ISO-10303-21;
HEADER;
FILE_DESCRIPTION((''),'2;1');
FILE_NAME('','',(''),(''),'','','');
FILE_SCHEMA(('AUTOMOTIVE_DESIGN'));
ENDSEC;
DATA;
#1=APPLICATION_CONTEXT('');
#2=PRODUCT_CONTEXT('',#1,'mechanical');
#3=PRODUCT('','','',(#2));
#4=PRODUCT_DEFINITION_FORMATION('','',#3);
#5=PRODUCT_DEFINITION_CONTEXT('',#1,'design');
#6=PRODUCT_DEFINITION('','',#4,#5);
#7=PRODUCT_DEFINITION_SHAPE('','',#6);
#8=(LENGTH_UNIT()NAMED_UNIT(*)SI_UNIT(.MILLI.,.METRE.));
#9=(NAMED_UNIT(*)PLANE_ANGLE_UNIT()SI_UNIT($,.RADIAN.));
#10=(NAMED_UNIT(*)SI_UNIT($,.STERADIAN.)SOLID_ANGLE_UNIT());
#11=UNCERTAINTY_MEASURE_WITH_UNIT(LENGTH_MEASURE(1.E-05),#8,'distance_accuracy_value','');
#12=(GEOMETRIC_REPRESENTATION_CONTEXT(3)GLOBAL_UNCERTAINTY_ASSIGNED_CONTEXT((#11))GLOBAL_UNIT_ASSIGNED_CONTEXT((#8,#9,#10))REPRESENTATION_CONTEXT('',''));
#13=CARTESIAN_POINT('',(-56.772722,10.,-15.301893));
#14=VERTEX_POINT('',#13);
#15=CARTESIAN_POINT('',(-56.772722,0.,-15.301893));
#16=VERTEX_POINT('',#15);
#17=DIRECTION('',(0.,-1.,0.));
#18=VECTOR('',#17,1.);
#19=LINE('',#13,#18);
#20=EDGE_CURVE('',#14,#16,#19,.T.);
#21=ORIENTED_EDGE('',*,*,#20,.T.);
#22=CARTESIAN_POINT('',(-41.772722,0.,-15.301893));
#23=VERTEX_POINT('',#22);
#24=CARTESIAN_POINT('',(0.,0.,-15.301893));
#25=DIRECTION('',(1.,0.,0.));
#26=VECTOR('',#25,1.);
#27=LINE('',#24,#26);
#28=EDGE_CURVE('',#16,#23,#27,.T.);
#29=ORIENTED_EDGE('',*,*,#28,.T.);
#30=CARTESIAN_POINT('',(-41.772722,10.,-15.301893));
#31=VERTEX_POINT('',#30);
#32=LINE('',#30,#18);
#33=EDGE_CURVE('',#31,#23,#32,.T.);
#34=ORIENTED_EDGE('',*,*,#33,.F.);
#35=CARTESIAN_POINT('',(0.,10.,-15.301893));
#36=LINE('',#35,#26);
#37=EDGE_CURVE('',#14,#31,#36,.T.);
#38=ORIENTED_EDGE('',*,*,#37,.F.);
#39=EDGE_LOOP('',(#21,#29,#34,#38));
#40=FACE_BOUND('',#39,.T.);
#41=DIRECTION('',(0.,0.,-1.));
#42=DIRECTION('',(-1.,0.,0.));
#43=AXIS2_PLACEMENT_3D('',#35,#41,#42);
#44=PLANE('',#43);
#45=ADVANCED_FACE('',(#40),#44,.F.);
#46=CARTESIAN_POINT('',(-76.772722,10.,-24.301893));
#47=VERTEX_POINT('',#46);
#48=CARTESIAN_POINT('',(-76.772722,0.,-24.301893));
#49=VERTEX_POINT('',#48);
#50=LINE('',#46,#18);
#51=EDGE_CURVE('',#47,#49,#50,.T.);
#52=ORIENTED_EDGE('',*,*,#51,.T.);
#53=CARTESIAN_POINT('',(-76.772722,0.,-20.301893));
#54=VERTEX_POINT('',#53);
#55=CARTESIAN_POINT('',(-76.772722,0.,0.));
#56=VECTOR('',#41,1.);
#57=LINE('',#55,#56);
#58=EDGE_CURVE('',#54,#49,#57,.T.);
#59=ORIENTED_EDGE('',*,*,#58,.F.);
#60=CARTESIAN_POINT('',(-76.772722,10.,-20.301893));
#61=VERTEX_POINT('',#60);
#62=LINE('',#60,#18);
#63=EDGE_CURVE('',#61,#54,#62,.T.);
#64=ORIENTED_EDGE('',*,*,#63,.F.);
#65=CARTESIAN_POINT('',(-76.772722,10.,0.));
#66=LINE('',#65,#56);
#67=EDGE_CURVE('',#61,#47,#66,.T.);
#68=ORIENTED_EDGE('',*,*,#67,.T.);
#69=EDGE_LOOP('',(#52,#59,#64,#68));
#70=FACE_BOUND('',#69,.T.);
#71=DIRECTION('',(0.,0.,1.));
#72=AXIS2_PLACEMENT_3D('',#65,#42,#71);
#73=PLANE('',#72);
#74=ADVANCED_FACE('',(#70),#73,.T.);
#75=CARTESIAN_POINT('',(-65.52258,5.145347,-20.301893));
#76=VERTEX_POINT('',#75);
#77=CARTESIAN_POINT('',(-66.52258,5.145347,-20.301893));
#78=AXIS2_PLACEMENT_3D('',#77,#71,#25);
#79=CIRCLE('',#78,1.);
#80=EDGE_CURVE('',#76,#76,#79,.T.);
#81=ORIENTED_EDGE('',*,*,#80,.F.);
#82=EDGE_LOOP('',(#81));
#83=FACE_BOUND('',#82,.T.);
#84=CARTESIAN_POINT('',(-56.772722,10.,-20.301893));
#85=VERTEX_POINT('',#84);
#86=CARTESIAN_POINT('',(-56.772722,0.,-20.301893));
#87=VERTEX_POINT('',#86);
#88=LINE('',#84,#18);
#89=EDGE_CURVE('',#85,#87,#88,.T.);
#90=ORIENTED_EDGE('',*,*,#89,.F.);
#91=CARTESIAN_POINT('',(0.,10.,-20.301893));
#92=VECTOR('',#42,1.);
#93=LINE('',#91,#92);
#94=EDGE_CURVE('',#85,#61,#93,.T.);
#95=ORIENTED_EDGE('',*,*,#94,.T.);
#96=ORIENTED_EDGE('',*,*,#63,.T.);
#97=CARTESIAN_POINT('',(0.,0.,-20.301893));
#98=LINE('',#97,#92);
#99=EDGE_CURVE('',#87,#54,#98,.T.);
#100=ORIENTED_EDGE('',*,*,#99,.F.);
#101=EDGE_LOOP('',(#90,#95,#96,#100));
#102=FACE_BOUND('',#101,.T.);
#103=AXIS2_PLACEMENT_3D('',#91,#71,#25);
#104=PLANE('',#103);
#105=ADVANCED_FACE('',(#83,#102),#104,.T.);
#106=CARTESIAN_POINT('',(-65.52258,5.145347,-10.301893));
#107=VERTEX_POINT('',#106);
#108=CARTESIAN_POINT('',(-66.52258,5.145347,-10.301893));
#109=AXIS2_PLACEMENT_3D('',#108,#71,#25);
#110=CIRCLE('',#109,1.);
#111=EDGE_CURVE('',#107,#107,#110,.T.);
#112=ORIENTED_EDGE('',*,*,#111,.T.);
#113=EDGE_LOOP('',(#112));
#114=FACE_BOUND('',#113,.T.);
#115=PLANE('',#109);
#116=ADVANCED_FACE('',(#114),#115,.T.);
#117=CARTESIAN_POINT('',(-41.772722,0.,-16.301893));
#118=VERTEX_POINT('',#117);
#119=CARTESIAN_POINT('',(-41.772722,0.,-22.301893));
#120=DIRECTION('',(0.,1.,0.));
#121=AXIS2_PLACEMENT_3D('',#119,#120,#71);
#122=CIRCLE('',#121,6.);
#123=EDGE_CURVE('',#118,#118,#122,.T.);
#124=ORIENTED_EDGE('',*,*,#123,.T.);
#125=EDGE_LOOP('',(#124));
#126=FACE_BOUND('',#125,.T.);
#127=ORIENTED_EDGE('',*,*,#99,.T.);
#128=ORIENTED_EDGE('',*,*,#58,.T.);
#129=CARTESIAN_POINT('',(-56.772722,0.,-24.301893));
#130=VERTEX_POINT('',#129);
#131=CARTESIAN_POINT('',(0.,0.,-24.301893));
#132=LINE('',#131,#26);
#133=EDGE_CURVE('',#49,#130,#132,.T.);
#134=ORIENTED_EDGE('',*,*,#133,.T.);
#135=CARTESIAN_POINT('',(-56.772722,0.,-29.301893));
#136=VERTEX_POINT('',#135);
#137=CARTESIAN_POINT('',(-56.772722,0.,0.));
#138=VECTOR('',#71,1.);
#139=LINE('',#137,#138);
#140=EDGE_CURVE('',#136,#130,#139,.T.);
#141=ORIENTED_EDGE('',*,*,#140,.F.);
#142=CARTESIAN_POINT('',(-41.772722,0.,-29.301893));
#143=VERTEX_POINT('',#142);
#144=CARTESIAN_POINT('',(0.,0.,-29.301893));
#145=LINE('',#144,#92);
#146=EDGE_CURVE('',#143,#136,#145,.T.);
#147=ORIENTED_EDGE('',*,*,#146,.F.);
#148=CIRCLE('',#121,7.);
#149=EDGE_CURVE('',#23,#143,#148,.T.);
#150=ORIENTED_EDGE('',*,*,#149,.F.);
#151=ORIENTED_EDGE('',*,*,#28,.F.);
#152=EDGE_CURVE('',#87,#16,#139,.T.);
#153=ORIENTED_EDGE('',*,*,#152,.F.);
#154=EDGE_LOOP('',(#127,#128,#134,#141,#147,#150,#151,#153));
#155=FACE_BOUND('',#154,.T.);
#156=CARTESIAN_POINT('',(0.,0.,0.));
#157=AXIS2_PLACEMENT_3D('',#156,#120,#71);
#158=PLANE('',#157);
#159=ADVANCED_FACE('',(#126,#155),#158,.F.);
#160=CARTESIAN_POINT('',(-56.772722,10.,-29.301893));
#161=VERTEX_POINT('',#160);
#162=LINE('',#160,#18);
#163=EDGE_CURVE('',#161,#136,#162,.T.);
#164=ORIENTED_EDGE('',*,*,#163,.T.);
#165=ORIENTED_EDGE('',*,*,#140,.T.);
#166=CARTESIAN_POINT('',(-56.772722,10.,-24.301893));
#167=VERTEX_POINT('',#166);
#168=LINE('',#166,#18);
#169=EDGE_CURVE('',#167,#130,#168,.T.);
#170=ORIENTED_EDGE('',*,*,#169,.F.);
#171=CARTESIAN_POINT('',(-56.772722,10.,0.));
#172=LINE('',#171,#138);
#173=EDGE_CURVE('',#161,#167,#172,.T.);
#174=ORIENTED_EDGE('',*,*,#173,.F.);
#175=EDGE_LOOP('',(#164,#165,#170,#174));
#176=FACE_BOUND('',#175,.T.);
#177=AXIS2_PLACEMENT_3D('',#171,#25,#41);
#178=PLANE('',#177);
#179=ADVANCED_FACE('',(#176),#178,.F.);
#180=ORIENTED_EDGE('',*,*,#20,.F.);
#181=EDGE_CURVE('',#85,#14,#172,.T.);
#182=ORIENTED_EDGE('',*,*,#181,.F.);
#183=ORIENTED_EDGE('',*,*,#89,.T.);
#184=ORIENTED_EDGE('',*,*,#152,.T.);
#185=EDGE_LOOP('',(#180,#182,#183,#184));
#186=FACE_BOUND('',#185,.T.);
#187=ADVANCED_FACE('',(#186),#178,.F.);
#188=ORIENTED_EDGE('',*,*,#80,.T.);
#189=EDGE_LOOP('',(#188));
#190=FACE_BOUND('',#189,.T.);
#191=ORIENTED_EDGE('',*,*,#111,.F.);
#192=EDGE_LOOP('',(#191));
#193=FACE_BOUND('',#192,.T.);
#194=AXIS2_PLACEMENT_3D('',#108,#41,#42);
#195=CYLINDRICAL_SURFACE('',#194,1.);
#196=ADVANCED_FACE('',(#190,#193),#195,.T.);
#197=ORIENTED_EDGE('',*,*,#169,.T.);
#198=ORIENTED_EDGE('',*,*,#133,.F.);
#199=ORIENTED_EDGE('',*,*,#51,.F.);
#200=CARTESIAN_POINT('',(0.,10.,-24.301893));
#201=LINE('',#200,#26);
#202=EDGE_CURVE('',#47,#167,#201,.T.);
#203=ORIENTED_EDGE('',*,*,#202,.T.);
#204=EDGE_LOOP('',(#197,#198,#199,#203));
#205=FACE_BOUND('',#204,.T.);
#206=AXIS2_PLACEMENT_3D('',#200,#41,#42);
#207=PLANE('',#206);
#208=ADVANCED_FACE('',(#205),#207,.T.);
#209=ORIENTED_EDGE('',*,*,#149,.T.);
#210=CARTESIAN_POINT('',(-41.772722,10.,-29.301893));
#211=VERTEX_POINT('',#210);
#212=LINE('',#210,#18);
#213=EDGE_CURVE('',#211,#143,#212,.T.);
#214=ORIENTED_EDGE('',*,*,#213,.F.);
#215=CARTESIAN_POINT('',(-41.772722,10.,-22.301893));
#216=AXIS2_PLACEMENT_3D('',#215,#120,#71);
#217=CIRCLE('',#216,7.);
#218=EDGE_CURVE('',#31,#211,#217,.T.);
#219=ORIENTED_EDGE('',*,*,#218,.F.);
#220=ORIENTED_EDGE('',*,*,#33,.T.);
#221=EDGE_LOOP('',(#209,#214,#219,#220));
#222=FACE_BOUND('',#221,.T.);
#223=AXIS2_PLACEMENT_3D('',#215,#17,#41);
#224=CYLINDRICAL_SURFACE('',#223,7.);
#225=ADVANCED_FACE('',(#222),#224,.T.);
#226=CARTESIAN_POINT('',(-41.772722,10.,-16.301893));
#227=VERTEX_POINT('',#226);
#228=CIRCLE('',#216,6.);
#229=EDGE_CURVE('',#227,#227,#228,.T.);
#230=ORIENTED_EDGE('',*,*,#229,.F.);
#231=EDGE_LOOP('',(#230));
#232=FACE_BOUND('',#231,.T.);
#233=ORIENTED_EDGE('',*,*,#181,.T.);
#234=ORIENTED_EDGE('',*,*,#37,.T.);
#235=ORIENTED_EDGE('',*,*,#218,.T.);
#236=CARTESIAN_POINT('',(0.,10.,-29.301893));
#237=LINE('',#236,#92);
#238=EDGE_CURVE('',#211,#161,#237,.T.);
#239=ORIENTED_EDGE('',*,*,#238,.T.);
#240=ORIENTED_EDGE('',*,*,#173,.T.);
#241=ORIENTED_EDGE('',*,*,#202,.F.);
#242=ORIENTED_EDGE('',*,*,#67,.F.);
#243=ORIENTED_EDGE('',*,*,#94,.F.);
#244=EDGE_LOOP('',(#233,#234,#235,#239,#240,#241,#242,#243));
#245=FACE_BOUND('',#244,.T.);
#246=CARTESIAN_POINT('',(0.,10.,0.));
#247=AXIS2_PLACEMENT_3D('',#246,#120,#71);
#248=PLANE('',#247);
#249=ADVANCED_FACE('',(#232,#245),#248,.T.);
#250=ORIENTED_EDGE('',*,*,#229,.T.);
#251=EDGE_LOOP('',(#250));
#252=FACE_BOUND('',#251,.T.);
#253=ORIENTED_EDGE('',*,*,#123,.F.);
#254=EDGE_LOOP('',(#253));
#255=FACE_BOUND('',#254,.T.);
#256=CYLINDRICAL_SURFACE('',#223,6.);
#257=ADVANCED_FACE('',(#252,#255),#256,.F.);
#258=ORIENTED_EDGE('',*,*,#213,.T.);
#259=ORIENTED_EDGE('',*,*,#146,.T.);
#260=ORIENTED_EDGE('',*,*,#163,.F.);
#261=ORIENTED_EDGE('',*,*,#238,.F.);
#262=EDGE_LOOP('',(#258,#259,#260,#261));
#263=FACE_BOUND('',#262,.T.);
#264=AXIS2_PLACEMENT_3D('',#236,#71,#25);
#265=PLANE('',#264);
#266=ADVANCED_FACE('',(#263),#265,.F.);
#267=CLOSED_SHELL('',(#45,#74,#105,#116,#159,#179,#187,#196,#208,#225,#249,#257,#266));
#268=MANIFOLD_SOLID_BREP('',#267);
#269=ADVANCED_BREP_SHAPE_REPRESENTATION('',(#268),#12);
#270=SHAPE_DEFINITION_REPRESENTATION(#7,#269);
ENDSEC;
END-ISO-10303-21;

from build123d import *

# Parameters (mm, degrees)
CROQUIS2_R              = 6
SALIENTE_EXTRUIR3_DEPTH = 10
CROQUIS9_R              = 1
SALIENTE_EXTRUIR6_DEPTH = 10


with BuildPart() as part:
    # Croquis2 → Saliente-Extruir3 (new body)
    with BuildSketch(Plane(origin=(0, 0, 0), x_dir=(1, 0, 0), z_dir=(0, 1, 0))):
        with BuildLine():
            Line((-56.772722473, 15.301893186), (-41.772722473, 15.301893186))
            ThreePointArc((-41.772722473, 15.301893186), (-34.772722473, 22.301893186), (-41.772722473, 29.301893186))
            Line((-41.772722473, 29.301893186), (-56.772722473, 29.301893186))
            Line((-56.772722473, 29.301893186), (-56.772722473, 24.301893186))
            Line((-56.772722473, 24.301893186), (-76.772722473, 24.301893186))
            Line((-76.772722473, 24.301893186), (-76.772722473, 20.301893186))
            Line((-76.772722473, 20.301893186), (-56.772722473, 20.301893186))
            Line((-56.772722473, 20.301893186), (-56.772722473, 15.301893186))
        make_face()
        with Locations((-41.772722473, 22.301893186)):
            Circle(CROQUIS2_R, mode=Mode.SUBTRACT)
    extrude(amount=SALIENTE_EXTRUIR3_DEPTH)

    # Croquis9 → Saliente-Extruir6 (add)
    with BuildSketch(Plane.XY.offset(-20.301893186)):
        with Locations((-66.52258031, 5.145347446)):
            Circle(CROQUIS9_R)
    extrude(amount=SALIENTE_EXTRUIR6_DEPTH)


solid = part.part
